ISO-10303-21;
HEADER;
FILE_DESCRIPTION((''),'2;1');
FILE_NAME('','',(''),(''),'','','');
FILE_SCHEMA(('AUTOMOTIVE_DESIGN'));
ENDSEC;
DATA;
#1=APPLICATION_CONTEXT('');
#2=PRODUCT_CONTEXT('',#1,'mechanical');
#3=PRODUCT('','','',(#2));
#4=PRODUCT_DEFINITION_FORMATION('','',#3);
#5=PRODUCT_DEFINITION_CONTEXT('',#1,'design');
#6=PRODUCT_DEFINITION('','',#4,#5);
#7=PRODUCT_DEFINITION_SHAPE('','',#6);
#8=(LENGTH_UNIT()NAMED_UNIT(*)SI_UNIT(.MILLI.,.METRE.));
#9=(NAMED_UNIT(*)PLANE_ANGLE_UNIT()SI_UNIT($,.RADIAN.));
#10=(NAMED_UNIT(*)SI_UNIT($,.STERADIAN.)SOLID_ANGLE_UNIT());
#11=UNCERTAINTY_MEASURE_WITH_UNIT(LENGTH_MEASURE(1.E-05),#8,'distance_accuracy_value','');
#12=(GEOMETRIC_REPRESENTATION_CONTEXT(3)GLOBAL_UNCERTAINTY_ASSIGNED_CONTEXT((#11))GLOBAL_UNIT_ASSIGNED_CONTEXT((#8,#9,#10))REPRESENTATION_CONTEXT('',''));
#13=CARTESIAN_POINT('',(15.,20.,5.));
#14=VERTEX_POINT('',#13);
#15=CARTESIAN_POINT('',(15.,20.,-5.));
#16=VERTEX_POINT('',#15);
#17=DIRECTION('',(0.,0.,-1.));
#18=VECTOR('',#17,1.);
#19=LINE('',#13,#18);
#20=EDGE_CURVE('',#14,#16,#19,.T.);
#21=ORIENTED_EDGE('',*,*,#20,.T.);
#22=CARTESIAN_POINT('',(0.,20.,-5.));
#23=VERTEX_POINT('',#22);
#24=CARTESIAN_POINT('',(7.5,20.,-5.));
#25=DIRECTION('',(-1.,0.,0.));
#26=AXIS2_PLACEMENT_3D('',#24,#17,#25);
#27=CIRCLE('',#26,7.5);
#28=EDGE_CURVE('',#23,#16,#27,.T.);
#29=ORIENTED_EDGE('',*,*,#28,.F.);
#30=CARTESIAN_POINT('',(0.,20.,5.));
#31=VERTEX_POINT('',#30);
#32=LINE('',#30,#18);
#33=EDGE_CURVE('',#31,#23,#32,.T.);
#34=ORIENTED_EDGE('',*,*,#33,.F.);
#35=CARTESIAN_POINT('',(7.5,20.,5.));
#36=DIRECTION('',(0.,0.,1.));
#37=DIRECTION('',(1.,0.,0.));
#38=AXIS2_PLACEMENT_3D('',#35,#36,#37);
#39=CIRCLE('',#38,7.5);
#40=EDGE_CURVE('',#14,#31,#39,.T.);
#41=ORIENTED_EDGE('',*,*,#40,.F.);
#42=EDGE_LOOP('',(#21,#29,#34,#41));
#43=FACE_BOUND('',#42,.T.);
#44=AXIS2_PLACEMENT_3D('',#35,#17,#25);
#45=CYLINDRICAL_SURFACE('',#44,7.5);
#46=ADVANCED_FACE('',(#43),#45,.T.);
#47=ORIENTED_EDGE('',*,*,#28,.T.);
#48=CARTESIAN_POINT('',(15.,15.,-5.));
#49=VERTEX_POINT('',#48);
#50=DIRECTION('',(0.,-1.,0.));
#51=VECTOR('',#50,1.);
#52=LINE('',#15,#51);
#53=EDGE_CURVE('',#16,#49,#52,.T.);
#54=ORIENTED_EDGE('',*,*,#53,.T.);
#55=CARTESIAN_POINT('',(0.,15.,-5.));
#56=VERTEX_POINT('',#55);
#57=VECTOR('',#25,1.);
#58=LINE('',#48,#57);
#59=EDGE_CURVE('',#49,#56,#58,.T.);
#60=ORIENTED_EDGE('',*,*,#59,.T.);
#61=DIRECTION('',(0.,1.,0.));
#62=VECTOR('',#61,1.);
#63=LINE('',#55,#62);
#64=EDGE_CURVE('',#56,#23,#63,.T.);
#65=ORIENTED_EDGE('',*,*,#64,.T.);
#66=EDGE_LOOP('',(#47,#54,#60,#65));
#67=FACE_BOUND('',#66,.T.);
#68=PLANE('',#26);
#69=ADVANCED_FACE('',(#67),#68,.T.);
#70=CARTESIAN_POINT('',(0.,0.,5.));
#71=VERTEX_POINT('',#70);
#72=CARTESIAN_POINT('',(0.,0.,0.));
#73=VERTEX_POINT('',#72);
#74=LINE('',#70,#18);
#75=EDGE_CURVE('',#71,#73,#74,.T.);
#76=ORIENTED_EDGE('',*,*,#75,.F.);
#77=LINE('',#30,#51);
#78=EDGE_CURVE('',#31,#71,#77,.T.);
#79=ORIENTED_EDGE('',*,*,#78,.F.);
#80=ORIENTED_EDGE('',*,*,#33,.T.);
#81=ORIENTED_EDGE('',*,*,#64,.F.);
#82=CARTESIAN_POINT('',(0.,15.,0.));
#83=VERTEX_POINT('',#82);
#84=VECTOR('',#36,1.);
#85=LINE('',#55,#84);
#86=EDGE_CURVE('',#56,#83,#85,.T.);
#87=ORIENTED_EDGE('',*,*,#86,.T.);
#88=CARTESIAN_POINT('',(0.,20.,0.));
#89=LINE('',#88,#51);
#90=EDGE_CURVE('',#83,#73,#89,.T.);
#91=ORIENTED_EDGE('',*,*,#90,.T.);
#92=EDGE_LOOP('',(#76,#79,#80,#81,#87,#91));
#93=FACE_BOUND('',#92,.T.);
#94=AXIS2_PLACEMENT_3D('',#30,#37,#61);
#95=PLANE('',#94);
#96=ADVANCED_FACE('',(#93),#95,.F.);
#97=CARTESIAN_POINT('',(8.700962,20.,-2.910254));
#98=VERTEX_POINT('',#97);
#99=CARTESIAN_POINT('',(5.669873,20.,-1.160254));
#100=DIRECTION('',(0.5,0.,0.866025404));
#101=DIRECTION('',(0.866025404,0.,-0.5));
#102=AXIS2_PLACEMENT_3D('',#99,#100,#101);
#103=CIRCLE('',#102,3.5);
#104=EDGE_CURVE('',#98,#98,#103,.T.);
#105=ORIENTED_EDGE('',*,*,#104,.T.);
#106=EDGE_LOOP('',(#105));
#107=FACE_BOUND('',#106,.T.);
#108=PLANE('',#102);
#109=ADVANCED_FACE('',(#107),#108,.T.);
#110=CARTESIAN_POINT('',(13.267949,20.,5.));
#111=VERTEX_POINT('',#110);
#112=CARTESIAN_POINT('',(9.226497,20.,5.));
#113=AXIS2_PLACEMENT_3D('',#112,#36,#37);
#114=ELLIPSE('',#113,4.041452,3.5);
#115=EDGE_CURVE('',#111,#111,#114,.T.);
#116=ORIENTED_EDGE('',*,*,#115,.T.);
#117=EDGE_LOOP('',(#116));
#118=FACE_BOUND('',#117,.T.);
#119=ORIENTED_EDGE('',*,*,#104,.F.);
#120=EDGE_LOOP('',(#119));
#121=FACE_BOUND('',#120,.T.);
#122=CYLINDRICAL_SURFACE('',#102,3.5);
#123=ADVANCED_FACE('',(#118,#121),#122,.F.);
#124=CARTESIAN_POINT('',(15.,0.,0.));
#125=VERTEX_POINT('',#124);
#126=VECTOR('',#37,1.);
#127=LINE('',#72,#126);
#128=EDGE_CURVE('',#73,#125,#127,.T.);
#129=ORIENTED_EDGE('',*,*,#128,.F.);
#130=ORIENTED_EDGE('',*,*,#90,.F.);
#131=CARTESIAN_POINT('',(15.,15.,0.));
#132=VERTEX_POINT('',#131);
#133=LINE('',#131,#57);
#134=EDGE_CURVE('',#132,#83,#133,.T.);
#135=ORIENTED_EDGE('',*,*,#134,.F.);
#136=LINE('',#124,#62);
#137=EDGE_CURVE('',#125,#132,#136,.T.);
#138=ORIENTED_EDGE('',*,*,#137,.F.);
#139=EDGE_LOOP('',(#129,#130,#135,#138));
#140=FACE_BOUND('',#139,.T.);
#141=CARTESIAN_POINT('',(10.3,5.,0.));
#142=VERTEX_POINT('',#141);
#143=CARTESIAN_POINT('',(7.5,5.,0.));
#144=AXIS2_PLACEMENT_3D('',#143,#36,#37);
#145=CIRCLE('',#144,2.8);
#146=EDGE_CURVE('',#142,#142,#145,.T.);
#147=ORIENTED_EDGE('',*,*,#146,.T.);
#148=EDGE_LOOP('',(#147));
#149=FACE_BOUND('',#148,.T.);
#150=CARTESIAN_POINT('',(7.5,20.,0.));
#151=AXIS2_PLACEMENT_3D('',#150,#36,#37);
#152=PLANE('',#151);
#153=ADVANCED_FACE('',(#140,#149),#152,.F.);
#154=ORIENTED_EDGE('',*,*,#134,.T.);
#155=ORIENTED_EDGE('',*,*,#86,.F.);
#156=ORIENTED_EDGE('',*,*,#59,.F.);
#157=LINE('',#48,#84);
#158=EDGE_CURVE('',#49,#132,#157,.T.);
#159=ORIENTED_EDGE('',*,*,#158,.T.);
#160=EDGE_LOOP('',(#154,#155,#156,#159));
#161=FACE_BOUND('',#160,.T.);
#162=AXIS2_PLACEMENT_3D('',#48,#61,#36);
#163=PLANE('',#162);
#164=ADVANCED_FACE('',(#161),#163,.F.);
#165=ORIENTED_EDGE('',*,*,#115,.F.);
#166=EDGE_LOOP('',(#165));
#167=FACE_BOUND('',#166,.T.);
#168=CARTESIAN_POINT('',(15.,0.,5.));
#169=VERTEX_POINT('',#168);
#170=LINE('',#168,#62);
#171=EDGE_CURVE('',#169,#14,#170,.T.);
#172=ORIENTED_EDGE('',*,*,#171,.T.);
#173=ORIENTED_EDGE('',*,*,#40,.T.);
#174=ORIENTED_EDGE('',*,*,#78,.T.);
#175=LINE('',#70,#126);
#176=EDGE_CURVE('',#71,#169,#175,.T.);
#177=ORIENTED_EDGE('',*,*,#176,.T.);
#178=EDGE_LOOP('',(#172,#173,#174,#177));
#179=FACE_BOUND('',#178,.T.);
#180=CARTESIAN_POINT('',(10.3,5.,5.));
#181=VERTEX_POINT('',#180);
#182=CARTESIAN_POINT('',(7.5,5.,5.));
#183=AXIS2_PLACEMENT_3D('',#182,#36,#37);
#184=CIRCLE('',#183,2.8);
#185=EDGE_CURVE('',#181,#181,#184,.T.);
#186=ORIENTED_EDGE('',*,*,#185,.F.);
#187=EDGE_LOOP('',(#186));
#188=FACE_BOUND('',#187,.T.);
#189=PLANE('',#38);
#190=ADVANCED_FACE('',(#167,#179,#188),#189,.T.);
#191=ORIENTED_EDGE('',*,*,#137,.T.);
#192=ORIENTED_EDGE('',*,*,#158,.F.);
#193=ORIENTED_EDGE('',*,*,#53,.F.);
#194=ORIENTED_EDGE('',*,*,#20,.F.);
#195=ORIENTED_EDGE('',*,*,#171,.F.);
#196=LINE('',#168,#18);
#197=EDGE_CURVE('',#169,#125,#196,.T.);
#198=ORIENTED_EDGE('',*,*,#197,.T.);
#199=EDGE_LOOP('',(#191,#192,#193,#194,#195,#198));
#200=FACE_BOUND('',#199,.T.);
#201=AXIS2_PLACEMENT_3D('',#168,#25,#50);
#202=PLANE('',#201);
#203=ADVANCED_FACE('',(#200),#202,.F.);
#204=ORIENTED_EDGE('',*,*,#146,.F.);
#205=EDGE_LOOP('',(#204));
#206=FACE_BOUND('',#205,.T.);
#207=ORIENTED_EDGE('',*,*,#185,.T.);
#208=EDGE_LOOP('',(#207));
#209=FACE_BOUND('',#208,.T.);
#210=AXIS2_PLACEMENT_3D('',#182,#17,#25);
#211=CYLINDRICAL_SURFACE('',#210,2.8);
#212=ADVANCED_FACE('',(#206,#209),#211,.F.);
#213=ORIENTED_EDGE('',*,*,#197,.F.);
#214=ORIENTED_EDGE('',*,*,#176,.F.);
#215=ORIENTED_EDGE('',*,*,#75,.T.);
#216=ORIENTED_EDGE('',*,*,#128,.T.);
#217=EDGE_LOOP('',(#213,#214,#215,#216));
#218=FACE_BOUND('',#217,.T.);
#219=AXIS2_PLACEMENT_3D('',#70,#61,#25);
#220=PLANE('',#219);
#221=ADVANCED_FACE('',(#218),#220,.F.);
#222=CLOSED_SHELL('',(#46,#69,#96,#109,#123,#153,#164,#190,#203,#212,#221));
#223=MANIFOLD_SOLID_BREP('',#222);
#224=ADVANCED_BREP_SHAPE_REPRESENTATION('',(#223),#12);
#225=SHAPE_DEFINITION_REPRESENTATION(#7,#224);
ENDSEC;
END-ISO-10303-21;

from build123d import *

# Parameters (mm, degrees)
SKETCH2_R           = 2.8
BOSS_EXTRUDE1_DEPTH = 5
BOSS_EXTRUDE2_DEPTH = 5
SKETCH4_R           = 3.5
CUT_EXTRUDE1_DEPTH  = 10


with BuildPart() as part:
    # Sketch2 → Boss-Extrude1 (new body)
    with BuildSketch(Plane.XY):
        with BuildLine():
            Line((0, 0), (15, 0))
            Line((15, 0), (15, 20))
            ThreePointArc((15, 20), (7.5, 27.5), (0, 20))
            Line((0, 20), (0, 0))
        make_face()
        with Locations((7.5, 5)):
            Circle(SKETCH2_R, mode=Mode.SUBTRACT)
    extrude(amount=BOSS_EXTRUDE1_DEPTH)

    # Sketch3 → Boss-Extrude2 (add)
    with BuildSketch(Plane(origin=(0, 0, 0), x_dir=(-1, 0, 0), z_dir=(0, 0, -1))):
        with BuildLine():
            Line((-15, 20), (-15, 15))
            Line((-15, 15), (0, 15))
            Line((0, 15), (0, 20))
            ThreePointArc((0, 20), (-7.5, 27.5), (-15, 20))
        make_face()
    extrude(amount=BOSS_EXTRUDE2_DEPTH)

    # Sketch4 → Cut-Extrude1 (cut)
    with BuildSketch(Plane(origin=(5.915063509, 0, 10.245190528), x_dir=(0, 1, 0), z_dir=(0.5, 0, 0.866025404))):
        with Locations((20, -5.490381057)):
            Circle(SKETCH4_R)
    extrude(amount=-CUT_EXTRUDE1_DEPTH, mode=Mode.SUBTRACT)


solid = part.part
